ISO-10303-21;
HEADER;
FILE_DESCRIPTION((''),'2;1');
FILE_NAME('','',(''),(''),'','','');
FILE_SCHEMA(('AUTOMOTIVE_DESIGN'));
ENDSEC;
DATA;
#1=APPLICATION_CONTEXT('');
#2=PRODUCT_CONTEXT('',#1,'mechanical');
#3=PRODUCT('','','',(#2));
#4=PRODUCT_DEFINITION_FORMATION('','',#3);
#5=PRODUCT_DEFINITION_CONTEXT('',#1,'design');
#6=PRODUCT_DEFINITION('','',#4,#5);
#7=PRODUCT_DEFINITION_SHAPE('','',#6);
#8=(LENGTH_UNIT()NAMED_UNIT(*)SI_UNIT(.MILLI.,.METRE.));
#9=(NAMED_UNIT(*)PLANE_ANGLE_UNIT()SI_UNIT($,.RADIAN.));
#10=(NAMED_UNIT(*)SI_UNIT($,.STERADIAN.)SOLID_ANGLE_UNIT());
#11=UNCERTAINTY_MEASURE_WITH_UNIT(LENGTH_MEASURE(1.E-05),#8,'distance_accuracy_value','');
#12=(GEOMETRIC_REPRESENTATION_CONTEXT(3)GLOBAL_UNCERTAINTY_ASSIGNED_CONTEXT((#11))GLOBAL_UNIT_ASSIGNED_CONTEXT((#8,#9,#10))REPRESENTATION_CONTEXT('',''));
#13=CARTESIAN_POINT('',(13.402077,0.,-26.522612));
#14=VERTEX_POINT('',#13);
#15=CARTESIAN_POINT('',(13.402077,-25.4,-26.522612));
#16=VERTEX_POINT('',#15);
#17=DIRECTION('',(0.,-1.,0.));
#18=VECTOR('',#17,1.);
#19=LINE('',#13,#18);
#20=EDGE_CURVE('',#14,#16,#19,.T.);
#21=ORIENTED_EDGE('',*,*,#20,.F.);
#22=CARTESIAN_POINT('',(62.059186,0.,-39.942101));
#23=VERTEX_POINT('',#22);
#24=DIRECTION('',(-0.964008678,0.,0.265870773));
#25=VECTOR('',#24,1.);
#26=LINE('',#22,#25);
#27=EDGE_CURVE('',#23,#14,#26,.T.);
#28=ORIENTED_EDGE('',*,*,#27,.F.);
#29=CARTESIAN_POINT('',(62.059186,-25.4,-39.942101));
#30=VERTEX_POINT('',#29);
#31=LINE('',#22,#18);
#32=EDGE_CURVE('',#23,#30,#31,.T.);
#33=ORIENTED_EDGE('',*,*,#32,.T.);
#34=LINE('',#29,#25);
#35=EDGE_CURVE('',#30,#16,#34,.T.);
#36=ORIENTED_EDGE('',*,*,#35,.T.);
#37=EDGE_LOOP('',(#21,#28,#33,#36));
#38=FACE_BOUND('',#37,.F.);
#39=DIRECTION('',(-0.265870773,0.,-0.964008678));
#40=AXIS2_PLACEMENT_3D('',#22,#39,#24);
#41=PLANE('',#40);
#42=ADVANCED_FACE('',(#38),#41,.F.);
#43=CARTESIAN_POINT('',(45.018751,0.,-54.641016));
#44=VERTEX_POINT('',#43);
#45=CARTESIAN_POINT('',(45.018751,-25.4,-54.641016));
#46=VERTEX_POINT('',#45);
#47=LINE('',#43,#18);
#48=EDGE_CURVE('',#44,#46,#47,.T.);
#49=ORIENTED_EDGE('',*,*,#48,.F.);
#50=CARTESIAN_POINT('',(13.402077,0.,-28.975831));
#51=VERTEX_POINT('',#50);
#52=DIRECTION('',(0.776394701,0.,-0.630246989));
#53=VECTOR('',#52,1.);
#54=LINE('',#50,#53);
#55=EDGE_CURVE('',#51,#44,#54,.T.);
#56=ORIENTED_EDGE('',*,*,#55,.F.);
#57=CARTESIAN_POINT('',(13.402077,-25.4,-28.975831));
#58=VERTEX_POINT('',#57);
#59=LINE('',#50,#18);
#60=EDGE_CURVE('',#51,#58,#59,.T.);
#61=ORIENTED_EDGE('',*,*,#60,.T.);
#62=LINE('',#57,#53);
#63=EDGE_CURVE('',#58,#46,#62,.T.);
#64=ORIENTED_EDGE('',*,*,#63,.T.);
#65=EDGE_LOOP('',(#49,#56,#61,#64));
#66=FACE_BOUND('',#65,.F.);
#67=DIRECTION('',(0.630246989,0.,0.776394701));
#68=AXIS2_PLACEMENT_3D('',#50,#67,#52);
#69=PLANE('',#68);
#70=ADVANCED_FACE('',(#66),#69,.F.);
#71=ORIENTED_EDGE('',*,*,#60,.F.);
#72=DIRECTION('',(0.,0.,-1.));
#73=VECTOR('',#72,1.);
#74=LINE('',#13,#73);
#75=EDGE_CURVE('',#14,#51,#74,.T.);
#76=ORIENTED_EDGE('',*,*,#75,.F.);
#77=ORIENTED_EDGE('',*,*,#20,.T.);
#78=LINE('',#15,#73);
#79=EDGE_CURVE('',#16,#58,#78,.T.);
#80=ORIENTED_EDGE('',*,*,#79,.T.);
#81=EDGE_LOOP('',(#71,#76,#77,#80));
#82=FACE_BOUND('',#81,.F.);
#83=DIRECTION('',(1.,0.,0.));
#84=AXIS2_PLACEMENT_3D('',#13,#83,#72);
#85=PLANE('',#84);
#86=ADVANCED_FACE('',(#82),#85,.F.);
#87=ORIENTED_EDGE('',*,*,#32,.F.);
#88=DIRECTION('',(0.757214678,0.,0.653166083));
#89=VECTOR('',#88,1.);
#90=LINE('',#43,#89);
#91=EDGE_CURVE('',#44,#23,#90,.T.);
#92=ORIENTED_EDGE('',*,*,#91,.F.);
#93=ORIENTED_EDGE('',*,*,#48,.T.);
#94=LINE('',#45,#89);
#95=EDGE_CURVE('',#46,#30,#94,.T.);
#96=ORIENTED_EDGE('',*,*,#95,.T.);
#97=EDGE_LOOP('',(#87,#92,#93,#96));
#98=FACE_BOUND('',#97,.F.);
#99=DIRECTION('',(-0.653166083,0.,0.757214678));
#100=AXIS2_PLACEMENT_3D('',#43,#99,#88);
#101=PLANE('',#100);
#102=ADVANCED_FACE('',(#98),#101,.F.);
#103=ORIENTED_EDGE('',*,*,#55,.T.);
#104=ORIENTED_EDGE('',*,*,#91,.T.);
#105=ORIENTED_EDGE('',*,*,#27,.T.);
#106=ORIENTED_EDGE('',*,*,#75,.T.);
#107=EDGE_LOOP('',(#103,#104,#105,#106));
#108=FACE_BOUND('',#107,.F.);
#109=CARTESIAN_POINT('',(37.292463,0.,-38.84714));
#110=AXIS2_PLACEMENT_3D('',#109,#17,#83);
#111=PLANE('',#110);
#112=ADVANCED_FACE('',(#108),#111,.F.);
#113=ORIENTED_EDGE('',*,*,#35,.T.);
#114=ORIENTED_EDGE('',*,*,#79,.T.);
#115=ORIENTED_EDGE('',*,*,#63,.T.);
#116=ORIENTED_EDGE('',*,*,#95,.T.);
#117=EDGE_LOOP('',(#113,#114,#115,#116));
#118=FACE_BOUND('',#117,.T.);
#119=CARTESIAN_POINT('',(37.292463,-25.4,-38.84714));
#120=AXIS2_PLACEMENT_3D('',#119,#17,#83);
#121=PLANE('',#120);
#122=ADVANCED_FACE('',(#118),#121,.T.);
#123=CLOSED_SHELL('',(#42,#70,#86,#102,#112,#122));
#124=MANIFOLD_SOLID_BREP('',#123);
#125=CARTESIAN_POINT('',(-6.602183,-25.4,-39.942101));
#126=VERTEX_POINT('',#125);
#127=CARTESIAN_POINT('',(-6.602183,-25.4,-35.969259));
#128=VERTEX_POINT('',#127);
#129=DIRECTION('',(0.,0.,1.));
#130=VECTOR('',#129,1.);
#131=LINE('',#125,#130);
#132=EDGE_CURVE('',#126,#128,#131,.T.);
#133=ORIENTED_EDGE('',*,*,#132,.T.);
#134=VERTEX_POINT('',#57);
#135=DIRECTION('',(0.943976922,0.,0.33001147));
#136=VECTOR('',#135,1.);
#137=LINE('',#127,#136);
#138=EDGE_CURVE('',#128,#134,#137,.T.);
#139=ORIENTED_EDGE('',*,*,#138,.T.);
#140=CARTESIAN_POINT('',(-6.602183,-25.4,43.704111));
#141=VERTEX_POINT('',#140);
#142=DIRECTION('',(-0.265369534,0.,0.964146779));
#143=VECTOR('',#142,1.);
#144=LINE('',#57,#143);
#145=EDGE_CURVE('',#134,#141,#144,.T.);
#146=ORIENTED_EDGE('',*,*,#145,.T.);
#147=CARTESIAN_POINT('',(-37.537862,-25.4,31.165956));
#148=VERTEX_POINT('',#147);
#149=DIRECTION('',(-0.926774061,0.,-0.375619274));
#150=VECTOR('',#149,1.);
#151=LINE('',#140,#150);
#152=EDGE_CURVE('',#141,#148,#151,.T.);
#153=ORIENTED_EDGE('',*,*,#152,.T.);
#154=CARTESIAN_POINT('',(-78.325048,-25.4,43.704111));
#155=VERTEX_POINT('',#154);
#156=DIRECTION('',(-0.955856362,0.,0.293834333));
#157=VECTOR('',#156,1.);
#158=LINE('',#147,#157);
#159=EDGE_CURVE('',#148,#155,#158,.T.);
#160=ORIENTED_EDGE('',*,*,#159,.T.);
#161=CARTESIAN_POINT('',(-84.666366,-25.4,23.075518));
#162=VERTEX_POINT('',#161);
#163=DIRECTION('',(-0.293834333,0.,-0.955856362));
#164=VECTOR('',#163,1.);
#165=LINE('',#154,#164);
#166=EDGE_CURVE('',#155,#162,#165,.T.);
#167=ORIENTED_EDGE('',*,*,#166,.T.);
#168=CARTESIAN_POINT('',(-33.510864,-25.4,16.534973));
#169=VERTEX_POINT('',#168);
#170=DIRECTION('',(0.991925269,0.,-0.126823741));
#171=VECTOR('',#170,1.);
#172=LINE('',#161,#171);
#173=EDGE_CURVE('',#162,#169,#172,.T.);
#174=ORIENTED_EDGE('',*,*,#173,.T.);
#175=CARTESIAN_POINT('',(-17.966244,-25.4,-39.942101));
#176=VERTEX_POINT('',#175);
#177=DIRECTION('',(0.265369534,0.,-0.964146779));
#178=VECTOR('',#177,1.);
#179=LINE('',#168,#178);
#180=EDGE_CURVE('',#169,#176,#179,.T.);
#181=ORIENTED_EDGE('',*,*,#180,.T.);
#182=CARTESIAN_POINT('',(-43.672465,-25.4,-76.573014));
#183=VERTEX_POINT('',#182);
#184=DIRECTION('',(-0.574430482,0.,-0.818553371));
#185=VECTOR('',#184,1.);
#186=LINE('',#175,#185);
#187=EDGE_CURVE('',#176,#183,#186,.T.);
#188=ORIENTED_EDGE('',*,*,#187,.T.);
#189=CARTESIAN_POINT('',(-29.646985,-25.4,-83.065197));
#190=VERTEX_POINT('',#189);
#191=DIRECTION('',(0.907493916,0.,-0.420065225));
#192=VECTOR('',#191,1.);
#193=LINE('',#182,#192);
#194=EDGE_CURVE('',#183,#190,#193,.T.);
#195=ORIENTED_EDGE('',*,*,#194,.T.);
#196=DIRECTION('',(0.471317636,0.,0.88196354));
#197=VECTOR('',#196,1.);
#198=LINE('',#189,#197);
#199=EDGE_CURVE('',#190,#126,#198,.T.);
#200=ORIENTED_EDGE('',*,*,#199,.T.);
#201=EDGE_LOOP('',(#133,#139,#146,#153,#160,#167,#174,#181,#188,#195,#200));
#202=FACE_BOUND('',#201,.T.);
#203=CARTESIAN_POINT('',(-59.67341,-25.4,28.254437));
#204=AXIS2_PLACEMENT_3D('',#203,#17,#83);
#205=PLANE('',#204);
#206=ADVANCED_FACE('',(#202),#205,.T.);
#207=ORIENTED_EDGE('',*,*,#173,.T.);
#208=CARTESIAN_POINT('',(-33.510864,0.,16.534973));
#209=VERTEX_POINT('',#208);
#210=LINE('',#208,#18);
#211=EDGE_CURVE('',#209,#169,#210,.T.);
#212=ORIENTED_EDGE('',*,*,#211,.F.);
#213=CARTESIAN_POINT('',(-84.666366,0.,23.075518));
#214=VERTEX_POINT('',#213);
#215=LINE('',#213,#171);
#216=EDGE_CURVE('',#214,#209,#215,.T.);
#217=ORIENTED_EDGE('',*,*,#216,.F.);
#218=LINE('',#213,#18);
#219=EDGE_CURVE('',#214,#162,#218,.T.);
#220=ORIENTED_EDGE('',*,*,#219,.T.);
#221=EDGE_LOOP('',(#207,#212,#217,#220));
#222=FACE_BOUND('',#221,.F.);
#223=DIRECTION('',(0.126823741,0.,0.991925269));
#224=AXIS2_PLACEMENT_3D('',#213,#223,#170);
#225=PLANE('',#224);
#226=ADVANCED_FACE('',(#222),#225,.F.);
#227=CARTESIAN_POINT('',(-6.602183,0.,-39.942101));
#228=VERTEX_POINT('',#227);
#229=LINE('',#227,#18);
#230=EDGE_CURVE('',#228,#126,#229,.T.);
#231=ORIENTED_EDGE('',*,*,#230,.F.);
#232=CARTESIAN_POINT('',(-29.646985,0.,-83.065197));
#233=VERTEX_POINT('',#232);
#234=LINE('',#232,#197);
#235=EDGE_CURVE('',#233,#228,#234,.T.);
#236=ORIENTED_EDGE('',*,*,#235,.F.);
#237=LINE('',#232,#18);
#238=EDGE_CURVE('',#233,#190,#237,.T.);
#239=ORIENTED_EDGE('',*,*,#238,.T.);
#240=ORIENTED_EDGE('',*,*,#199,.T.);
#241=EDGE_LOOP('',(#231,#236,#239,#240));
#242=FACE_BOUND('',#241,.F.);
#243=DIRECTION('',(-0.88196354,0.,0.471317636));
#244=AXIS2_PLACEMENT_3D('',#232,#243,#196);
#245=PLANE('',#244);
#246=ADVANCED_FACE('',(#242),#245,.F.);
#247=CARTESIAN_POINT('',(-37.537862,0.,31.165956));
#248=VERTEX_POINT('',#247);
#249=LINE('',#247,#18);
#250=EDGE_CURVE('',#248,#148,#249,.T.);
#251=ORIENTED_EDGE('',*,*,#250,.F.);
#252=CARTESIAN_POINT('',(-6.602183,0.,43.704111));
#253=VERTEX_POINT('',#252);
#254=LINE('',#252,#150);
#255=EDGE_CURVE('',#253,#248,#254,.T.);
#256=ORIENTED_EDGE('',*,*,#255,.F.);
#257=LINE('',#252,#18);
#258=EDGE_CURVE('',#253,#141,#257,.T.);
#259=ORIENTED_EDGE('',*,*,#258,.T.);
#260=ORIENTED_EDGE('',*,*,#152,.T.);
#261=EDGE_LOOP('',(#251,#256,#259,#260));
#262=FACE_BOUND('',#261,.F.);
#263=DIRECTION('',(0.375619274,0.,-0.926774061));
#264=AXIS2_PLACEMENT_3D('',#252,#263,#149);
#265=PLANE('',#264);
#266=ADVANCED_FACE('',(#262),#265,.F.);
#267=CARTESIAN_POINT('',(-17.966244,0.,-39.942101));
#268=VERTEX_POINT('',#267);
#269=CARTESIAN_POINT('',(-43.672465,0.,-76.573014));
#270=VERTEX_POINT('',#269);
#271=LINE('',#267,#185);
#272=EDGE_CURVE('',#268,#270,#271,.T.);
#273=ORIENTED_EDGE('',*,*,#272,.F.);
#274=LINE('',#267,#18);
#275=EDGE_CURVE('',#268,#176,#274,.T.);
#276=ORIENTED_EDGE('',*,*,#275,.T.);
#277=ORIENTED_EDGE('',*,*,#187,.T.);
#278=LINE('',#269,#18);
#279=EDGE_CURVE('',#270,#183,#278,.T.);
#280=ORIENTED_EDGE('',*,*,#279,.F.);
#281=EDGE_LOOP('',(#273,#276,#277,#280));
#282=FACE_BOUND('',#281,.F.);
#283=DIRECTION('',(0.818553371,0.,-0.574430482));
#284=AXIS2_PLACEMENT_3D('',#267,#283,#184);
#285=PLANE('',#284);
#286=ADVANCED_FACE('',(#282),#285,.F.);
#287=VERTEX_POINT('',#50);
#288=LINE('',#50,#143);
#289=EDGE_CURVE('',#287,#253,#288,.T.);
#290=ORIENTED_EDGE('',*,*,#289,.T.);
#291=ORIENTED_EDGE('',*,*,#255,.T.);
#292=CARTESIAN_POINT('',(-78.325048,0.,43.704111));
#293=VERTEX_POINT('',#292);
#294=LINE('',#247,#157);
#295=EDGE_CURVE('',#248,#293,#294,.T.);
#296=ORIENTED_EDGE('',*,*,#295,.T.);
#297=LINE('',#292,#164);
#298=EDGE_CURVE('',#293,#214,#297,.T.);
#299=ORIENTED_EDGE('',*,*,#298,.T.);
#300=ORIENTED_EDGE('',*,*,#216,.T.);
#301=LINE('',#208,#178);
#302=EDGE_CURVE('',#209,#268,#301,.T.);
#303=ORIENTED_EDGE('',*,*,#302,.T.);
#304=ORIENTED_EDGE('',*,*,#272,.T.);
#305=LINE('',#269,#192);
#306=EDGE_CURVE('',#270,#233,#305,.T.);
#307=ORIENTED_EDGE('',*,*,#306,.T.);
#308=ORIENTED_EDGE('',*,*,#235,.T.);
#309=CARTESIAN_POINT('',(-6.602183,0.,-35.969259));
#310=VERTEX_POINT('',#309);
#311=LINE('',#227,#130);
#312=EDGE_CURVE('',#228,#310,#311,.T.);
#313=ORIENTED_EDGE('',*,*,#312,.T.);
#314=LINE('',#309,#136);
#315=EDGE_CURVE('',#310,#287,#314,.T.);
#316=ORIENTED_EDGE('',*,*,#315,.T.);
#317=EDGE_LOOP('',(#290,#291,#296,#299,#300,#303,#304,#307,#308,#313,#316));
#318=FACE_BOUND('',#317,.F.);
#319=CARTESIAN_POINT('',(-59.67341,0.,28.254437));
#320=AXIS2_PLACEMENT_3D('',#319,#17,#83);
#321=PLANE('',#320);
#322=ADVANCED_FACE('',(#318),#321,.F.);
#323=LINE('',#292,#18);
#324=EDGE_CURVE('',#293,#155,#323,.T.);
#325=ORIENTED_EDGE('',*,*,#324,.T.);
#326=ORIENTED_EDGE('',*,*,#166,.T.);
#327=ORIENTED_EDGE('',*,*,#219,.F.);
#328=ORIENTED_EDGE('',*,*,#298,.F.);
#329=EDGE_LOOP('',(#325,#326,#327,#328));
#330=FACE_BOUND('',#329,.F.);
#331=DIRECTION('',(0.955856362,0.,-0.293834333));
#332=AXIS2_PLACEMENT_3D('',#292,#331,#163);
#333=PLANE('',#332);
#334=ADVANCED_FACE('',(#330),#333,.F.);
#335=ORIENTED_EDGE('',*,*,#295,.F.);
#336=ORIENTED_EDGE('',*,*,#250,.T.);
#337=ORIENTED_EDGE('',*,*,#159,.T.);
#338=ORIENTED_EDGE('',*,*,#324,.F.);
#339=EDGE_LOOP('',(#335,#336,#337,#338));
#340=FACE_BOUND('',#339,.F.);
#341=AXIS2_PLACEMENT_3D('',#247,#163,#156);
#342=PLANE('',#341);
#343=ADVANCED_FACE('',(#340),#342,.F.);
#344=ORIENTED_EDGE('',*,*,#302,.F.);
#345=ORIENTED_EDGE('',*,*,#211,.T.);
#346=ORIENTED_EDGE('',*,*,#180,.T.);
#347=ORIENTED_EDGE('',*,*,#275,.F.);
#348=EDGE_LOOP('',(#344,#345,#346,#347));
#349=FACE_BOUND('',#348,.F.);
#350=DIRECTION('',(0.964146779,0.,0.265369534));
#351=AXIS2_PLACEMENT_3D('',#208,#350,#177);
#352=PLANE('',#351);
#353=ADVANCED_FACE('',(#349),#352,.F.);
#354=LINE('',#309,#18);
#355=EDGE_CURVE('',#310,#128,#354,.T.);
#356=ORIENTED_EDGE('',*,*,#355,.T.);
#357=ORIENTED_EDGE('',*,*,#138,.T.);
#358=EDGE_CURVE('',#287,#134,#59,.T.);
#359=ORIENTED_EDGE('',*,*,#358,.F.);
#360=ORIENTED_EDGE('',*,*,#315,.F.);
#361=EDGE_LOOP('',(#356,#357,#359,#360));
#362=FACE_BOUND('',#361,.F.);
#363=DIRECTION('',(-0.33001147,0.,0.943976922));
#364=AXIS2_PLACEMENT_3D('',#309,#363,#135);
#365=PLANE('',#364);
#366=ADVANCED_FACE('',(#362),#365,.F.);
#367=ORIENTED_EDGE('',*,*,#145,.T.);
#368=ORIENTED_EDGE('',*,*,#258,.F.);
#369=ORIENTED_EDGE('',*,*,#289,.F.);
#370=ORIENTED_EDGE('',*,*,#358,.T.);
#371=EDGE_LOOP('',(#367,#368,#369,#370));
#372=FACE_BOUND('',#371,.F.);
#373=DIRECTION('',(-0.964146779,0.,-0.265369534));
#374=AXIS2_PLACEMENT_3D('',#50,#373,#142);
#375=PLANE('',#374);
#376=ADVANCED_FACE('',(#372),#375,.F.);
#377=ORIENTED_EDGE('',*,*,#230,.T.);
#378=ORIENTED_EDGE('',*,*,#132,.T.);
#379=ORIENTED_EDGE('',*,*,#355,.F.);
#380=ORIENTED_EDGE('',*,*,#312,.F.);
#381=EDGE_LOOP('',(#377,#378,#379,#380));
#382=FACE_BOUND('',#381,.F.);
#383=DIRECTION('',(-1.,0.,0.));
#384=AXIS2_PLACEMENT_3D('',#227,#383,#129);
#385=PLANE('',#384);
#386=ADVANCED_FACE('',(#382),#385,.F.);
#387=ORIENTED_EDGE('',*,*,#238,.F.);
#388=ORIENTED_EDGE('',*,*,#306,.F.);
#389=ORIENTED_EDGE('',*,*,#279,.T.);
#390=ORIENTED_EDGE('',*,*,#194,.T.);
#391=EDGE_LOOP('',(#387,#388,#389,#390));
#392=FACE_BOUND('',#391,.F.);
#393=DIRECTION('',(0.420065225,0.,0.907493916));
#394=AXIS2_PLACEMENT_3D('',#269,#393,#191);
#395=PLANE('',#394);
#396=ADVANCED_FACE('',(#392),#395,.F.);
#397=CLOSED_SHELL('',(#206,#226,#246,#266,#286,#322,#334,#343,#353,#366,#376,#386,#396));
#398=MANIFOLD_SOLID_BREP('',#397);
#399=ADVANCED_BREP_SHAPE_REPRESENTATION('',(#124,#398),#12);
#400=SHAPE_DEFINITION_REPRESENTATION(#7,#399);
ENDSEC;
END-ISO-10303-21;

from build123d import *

# Parameters (mm, degrees)
F1_DEPTH = 25.4


with BuildPart() as f1:
    # F0 (on Front) → F1 (new body)
    with BuildSketch(Plane.XZ):
        Polygon((13.4020768706, -26.5226121992), (13.4020768706, -28.9758306295), (45.0187511742, -54.6410158277), (62.059186399, -39.9421006441), align=None)
    extrude(amount=F1_DEPTH)


with BuildPart() as f1b:
    # F0 (on Front) → F1, piece 2 (new body)
    with BuildSketch(Plane.XZ):
        Polygon((-33.5108636741, 16.5349727489), (-37.5378616154, 31.1659555882), (-78.325048089, 43.704111129), (-84.6663658156, 23.075518051), align=None)
        Polygon((-6.6021825187, -35.9692590704), (-17.9662443697, -39.9421006441), (-43.672464788, -76.5730142593), (-29.6469852328, -83.0651968718), (-6.6021825187, -39.9421006441), align=None)
        Polygon((-6.6021825187, 43.704111129), (-37.5378616154, 31.1659555882), (-33.5108636741, 16.5349727489), (-17.9662443697, -39.9421006441), (-6.6021825187, -35.9692590704), (13.4020768706, -28.9758306295), align=None)
    extrude(amount=F1_DEPTH)


solid = Compound([f1.part, f1b.part])
